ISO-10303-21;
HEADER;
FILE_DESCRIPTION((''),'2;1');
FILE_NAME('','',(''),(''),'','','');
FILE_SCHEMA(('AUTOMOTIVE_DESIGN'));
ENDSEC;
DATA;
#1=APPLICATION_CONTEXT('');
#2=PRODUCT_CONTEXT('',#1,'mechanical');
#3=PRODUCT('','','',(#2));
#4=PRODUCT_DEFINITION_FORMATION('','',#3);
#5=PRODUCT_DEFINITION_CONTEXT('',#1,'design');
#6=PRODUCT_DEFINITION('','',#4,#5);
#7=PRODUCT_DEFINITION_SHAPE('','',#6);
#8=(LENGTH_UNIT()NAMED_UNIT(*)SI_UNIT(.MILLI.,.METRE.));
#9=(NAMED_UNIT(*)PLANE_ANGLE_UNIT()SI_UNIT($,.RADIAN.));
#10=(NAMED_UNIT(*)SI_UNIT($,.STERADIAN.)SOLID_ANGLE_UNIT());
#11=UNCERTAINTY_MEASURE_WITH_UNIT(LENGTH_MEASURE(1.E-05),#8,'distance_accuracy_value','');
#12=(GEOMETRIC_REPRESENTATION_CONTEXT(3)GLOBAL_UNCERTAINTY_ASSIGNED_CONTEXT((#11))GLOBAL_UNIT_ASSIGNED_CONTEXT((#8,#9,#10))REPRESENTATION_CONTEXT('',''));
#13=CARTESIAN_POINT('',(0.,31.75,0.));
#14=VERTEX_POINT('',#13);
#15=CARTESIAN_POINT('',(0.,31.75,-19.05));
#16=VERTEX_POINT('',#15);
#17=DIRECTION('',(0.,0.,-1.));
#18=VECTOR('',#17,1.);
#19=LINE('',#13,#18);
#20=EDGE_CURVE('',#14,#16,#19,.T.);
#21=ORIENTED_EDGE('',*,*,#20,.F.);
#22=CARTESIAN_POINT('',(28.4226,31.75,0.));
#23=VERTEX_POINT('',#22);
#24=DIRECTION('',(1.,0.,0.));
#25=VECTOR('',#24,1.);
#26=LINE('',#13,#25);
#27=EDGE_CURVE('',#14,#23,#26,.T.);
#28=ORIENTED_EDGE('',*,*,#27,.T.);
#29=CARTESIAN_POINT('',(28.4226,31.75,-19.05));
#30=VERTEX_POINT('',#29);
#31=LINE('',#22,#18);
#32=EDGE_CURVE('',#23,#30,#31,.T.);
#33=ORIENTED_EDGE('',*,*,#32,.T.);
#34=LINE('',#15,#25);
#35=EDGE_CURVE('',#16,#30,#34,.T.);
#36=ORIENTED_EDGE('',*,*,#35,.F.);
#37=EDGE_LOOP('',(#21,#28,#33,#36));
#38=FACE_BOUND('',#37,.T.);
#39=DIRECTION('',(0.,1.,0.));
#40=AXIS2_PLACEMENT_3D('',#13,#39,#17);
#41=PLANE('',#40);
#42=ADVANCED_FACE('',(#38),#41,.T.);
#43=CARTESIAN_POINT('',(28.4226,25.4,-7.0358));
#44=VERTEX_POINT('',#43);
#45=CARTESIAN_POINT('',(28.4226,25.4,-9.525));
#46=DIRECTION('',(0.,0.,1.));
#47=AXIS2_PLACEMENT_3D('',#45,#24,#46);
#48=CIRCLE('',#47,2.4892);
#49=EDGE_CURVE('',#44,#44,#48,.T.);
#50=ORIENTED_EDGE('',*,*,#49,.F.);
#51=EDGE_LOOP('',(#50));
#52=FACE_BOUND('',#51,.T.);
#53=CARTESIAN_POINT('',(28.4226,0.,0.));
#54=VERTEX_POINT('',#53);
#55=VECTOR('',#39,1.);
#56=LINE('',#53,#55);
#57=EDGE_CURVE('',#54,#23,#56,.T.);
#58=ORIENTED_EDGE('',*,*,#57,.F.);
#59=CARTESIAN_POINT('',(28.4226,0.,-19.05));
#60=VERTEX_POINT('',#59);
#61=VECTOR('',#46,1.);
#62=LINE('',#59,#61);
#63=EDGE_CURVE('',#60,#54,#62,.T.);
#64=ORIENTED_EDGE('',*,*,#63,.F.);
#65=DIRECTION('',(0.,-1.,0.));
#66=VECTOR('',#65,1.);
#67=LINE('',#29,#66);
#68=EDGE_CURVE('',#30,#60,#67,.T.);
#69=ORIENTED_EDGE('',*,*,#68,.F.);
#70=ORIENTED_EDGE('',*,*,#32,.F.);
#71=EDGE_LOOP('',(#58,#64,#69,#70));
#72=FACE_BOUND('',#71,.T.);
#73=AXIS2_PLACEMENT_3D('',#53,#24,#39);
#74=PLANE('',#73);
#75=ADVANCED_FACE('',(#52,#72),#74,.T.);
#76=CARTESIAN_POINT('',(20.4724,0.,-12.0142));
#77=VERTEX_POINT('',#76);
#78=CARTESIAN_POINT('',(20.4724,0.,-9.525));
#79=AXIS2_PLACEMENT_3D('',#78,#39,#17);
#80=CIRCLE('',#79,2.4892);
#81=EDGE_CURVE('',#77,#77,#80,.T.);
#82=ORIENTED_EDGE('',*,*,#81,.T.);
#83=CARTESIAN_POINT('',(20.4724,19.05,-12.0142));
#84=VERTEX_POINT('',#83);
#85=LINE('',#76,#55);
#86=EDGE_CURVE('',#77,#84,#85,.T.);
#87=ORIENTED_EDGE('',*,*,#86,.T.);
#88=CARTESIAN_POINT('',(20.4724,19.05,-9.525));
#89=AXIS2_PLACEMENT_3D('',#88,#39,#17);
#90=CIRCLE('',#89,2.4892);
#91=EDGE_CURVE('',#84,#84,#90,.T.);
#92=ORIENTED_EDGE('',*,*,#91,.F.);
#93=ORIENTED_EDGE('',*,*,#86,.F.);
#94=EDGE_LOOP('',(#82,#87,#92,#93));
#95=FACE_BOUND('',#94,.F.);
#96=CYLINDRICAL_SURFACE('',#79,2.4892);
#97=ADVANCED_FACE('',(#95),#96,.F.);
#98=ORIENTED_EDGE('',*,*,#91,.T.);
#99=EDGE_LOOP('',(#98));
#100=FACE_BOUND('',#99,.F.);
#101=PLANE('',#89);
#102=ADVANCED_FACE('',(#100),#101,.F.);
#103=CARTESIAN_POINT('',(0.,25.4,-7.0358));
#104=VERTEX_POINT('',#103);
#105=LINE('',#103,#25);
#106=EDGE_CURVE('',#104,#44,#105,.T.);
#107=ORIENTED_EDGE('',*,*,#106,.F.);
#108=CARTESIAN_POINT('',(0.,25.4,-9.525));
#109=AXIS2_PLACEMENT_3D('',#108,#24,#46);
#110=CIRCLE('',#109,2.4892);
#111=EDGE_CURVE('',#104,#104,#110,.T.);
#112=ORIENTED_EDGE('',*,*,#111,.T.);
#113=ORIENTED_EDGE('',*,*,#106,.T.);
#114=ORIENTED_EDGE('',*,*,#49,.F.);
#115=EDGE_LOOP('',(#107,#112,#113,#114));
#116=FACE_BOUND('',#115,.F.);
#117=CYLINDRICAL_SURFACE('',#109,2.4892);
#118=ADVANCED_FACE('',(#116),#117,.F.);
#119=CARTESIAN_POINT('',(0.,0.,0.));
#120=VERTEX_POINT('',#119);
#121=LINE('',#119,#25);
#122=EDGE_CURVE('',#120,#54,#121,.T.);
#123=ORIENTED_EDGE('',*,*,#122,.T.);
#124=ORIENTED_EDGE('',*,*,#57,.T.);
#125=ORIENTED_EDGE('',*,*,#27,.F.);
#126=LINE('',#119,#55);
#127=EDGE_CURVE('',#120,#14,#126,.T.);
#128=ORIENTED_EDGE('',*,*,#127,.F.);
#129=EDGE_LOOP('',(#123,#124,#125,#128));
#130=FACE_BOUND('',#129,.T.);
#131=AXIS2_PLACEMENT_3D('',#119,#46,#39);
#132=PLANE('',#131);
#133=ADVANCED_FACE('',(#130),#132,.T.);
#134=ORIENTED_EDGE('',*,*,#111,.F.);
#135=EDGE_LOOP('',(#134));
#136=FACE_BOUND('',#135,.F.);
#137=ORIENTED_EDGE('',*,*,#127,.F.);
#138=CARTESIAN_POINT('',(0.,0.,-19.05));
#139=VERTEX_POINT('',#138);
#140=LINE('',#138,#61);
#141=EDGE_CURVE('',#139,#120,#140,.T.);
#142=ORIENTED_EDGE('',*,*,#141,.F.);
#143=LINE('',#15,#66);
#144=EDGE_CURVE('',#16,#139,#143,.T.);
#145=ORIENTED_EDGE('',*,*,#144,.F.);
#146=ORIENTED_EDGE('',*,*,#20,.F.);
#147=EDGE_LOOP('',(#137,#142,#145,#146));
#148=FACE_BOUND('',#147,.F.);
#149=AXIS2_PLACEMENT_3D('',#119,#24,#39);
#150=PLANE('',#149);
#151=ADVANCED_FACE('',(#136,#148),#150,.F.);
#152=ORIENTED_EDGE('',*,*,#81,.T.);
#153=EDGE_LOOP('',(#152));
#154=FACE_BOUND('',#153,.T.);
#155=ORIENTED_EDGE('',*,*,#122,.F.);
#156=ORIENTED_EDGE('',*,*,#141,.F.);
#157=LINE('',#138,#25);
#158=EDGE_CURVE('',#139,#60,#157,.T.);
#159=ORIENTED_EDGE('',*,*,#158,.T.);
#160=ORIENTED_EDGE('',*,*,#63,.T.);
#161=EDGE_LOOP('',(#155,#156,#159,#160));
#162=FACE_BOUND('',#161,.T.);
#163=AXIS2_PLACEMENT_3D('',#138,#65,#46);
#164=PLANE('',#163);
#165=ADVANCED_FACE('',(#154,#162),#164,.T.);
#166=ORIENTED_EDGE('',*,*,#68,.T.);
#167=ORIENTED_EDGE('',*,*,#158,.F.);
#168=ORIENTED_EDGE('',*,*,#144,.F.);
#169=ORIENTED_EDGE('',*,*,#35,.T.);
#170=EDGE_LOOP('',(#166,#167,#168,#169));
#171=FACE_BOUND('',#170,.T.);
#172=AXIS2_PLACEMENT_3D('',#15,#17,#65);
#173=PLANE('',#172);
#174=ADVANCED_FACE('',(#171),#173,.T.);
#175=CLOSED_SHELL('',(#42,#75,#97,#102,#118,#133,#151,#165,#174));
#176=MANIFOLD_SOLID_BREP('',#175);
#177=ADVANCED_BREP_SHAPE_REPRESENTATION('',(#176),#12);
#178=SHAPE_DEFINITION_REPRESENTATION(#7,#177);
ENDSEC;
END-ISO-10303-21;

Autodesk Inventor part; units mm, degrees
ref_plane "YZ Plane" through (0, 0, 0) normal (1, 0, 0) x (0, 1, 0)
ref_plane "XZ Plane" through (0, 0, 0) normal (0, 1, 0) x (-1, 0, 0)
ref_plane "XY Plane" through (0, 0, 0) normal (0, 0, 1) x (1, 0, 0)
sketch "Sketch1" plane through (0, 0, 0) normal (1, 0, 0) x (0, 1, 0)
  line L0 (0, 0) -> (31.75, 0)
  line L1 (31.75, 0) -> (31.75, -19.05)
  line L2 (31.75, -19.05) -> (0, -19.05)
  line L3 (0, -19.05) -> (0, 0)
  circle A0 centre (25.4, -9.525) radius 3.2512 construction
  dimension "d0" = 31.75
  dimension "d1" = 19.05
  dimension "d2" = 6.5024
  dimension "d3" = 6.35
  dimension "d4" = 9.525
extrude "Extrusion1" add sketch "Sketch1" along normal blind 28.4226
hole "Hole1" at (0, 25.4, -9.525) at (0, 25.4, -9.525) direction (1, 0, 0) diameter 4.9784 end through all thread size "1/4-20 UNC" class "2B" standard "ANSI Unified Screw Threads"
sketch "Sketch2" plane through (0, 0, -19.05) normal (0, -1, 0) x (1, 0, 0)
  line L0 (0, 19.05) -> (0, 0) projected
  line L1 (0, 0) -> (28.4226, 0) projected
  line L2 (28.4226, 19.05) -> (28.4226, 0) projected
  line L3 (0, 19.05) -> (28.4226, 19.05) projected
  line L4 (28.4226, 2.307) -> (7.7724, 2.307) construction
  point P0 (20.4724, 9.525)
  dimension "d14" = 20.6502
  dimension "d15" = 7.9502
  dimension "d16" = 9.525
hole "Hole2" at (20.4724, 0, -9.525) direction (0, 1, 0) diameter 4.9784 depth 19.05 thread size "1/4-20 UNC" class "2B" standard "ANSI Unified Screw Threads"
properties part number "Intake Pivot Billet" material "Aluminum 6061"
